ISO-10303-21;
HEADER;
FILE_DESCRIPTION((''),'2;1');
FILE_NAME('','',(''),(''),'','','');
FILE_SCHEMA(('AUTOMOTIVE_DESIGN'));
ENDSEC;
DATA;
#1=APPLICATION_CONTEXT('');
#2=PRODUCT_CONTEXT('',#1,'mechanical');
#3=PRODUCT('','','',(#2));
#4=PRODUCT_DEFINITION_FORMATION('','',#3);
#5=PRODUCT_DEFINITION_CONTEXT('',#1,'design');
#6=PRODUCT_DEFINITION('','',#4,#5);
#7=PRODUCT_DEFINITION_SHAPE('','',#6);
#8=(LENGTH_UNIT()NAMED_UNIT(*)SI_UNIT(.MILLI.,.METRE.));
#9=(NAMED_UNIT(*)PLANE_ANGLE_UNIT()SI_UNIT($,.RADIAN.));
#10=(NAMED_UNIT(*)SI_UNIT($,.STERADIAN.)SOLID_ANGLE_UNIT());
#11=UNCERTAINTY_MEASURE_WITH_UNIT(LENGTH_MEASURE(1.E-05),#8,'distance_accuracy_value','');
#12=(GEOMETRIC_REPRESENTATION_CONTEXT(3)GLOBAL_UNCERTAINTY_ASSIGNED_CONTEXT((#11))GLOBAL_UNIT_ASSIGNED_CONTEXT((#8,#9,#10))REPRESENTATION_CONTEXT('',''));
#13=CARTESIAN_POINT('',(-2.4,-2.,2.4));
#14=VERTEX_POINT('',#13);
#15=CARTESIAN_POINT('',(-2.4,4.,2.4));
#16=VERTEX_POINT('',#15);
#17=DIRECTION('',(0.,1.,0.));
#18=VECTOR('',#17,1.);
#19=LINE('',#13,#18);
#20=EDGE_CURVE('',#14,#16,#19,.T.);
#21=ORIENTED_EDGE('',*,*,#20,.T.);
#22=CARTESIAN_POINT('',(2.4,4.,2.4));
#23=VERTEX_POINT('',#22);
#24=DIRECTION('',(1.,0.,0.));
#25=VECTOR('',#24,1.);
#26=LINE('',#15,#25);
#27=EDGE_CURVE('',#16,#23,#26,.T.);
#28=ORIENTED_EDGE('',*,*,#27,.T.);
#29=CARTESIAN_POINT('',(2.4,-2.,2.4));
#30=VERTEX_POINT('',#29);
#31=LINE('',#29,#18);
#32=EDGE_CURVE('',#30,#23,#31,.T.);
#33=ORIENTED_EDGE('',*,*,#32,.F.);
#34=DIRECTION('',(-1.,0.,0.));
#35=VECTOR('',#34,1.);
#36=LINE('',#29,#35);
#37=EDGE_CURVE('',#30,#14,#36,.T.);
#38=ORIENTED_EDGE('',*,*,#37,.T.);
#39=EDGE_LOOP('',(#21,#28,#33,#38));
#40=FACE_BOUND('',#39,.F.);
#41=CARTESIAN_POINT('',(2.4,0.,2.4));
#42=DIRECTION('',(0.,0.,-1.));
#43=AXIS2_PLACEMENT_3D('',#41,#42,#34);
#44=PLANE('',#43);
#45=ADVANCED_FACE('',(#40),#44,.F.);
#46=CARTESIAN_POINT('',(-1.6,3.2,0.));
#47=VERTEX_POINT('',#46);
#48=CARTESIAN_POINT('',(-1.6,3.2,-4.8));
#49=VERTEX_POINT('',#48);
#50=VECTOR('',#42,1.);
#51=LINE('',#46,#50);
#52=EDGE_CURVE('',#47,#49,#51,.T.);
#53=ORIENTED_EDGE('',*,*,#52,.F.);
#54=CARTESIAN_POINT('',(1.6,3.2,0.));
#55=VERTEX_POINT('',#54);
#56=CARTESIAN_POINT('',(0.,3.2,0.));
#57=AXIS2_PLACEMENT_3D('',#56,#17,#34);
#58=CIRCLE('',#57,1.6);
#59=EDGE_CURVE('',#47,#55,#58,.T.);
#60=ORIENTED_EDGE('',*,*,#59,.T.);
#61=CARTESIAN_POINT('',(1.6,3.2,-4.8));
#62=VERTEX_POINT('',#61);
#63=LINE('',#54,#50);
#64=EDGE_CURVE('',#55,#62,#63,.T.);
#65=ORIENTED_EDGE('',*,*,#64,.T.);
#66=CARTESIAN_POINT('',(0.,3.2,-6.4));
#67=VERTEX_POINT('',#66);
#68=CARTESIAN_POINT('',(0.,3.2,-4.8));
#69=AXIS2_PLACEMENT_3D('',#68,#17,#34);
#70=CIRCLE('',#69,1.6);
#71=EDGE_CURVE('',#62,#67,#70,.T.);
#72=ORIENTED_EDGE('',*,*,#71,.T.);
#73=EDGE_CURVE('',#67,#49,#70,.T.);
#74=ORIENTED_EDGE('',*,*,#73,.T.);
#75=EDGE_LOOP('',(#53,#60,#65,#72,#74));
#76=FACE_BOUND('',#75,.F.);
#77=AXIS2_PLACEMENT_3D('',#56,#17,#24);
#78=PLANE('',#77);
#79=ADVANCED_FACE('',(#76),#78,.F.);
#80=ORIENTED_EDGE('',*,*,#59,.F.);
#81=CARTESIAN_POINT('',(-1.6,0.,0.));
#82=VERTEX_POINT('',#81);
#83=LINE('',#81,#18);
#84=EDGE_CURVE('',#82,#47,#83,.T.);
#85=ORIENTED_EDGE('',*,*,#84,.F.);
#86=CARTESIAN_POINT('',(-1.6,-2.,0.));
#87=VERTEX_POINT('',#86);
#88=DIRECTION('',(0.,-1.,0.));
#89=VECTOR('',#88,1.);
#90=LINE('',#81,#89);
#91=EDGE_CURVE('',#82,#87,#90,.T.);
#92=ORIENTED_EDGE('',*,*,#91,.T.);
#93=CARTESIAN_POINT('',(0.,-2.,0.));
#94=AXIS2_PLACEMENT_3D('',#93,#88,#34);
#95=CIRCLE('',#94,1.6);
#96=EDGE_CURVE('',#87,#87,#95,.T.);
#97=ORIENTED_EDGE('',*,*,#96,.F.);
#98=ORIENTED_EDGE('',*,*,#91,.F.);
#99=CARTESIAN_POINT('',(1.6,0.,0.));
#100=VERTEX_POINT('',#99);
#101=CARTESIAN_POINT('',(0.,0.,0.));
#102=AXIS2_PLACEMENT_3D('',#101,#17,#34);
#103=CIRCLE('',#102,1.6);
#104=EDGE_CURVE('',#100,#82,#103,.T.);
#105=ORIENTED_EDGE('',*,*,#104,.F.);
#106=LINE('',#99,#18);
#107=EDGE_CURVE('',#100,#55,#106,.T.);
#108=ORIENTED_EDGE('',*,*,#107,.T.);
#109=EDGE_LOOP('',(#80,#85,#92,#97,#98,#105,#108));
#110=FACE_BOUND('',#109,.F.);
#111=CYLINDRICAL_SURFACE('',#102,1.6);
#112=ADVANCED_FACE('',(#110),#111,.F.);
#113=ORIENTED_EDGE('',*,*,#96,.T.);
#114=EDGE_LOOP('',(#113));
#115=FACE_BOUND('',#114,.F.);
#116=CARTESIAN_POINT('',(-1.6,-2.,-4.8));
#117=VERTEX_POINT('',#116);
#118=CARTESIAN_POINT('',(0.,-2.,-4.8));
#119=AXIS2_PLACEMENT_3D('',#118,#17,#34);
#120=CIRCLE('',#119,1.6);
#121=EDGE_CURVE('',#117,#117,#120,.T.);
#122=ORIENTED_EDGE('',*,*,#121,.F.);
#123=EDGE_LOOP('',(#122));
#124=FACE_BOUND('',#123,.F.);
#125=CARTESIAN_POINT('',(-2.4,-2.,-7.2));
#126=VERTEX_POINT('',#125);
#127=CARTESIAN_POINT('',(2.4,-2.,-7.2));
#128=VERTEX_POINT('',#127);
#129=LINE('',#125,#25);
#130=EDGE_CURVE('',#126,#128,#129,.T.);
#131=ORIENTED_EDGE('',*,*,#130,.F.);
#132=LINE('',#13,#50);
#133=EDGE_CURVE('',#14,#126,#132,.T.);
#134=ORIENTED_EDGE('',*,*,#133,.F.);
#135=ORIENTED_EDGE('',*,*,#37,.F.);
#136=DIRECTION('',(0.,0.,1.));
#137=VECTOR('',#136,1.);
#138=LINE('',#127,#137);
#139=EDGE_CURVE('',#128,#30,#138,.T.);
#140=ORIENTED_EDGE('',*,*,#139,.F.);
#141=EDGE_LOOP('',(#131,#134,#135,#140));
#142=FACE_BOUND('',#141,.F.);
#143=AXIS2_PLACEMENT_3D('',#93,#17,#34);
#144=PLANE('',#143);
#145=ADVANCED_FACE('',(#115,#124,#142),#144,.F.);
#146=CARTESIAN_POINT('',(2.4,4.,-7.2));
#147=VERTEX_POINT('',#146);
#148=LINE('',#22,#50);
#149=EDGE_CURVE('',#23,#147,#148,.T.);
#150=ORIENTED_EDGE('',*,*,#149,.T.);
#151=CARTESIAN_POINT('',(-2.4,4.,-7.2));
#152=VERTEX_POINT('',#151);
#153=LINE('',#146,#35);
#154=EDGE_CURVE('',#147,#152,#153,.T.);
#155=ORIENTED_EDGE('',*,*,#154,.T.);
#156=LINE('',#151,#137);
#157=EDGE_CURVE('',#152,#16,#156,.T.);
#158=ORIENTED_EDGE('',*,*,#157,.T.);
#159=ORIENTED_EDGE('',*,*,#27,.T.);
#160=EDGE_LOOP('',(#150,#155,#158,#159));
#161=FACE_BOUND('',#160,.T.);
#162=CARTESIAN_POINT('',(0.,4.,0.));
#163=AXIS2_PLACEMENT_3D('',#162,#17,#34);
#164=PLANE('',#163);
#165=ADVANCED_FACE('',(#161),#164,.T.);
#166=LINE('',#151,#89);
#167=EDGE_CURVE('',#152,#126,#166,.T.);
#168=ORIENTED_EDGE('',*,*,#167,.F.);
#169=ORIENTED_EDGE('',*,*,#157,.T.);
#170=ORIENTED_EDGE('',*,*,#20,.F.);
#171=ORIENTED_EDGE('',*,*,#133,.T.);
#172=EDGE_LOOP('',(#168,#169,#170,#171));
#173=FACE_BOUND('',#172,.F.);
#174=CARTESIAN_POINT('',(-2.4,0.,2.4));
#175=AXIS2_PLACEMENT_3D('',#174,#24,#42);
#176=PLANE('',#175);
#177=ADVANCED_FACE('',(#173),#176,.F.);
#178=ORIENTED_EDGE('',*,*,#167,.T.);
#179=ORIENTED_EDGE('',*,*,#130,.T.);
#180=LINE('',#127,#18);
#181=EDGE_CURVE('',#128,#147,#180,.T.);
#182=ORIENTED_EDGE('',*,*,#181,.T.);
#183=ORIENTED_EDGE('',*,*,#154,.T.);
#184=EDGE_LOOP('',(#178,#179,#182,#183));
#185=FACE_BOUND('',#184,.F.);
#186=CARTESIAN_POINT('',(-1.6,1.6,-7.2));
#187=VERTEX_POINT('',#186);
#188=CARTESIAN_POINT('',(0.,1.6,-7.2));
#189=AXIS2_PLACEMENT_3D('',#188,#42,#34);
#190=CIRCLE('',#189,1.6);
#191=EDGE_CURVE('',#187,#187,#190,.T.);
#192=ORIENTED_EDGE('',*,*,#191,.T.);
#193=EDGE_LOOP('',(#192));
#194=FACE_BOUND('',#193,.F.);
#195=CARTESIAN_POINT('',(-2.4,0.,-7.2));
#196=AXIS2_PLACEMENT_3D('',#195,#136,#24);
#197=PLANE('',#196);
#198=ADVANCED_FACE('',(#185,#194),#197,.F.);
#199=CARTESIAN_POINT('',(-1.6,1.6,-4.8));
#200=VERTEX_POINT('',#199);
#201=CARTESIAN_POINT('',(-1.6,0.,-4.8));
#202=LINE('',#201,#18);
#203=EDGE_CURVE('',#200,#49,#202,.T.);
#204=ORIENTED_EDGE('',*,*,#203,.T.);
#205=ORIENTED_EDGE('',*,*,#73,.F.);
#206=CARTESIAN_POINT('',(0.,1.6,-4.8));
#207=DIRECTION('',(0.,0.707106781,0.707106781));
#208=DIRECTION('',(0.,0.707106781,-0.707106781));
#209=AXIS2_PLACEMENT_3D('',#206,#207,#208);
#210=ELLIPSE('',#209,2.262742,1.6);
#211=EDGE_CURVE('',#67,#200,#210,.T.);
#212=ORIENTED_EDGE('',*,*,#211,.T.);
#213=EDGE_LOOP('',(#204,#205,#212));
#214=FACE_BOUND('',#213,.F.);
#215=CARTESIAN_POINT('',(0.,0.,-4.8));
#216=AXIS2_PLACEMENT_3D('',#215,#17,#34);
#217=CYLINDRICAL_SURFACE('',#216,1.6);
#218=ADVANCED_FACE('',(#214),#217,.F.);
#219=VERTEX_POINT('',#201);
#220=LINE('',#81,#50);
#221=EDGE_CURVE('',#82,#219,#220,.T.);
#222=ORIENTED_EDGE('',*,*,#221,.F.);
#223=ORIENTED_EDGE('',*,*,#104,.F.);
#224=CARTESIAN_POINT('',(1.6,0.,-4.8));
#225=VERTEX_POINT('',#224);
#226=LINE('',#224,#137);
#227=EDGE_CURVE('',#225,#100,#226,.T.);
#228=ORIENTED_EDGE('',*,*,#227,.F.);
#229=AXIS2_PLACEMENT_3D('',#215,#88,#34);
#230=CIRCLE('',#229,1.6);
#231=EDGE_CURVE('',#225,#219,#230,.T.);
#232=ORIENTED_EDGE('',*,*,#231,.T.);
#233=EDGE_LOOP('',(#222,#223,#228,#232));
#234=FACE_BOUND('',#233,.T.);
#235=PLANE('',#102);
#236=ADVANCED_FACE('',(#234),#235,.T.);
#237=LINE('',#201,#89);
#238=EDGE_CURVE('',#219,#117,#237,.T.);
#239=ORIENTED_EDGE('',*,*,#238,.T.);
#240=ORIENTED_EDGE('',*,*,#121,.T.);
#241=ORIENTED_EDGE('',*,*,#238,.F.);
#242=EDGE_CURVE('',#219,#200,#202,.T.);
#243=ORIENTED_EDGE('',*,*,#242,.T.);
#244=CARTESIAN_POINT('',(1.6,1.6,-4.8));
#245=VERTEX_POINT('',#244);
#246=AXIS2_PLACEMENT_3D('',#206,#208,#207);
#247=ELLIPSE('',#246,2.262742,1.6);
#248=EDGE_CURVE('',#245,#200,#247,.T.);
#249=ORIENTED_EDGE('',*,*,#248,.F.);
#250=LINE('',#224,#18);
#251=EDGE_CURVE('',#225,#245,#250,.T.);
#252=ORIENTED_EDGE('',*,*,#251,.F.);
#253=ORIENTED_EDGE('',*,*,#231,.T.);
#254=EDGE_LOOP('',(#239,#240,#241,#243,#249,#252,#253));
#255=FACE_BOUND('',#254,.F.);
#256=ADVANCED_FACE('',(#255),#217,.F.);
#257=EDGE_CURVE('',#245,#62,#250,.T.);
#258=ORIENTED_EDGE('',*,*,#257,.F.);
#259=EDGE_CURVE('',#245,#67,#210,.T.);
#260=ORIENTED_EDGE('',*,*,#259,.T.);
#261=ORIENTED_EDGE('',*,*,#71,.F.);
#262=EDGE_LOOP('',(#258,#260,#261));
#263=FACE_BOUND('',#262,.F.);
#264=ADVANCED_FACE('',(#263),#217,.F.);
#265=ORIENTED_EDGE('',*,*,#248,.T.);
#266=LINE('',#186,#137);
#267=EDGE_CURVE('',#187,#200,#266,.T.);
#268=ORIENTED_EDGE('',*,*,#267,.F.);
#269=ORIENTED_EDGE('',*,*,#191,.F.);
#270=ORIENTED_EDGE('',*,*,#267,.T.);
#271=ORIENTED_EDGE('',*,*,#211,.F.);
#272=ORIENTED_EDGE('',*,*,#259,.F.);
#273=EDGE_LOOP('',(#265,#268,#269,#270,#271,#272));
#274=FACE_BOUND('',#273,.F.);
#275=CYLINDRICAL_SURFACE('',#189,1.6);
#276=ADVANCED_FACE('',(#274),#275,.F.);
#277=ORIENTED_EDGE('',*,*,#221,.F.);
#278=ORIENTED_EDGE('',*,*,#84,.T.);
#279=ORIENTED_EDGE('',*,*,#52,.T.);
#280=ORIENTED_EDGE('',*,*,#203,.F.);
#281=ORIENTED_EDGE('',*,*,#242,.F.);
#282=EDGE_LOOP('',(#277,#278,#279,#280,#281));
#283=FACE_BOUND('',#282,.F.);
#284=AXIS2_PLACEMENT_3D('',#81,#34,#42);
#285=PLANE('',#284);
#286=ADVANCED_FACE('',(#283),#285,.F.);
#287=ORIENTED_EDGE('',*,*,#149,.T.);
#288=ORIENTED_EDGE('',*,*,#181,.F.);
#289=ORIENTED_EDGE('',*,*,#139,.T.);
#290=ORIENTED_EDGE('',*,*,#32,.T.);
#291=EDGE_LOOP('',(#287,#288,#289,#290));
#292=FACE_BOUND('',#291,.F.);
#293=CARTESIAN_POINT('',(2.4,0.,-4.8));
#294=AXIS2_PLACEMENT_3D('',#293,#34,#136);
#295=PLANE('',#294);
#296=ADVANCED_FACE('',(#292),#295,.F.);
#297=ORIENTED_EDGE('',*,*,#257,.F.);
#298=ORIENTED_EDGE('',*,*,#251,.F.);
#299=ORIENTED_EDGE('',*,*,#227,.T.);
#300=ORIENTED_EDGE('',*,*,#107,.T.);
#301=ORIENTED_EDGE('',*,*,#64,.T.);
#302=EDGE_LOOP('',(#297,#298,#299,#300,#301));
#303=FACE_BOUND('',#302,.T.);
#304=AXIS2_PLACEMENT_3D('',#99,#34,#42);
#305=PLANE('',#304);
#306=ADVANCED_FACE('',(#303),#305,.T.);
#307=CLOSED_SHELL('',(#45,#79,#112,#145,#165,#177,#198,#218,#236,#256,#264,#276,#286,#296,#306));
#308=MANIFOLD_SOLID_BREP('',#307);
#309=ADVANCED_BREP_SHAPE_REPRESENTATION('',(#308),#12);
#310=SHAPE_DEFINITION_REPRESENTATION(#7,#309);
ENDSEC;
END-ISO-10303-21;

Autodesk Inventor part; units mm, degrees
ref_plane "YZ Plane" through (0, 0, 0) normal (1, 0, 0) x (0, 1, 0)
ref_plane "XZ Plane" through (0, 0, 0) normal (0, 1, 0) x (-1, 0, 0)
ref_plane "XY Plane" through (0, 0, 0) normal (0, 0, 1) x (1, 0, 0)
sketch "스케치1" plane through (0, 0, 0) normal (0, 1, 0) x (-1, 0, 0)
  circle A0 centre (0, 0) radius 1.6
  circle A1 centre (0, 0) radius 2.4
  circle A2 centre (0, -4.8) radius 2.4
  circle A3 centre (0, -4.8) radius 1.6
  line L0 (1.6, 0) -> (1.6, -4.8)
  line L1 (-1.6, 0) -> (-1.6, -4.8)
  line L2 (-2.4, 2.4) -> (2.4, 2.4)
  line L3 (2.4, 2.4) -> (2.4, -7.2)
  line L4 (2.4, -7.2) -> (-2.4, -7.2)
  line L5 (-2.4, -7.2) -> (-2.4, 2.4)
  point P0 (0, -2.4)
  dimension "d1" = 4.8
  dimension "d2" = 4.8
  dimension "d0" = 3.2
  dimension "d3" = 3.2
extrude "돌출3" add sketch "스케치1" against normal blind 2 contours L0 A1 L1 A0 | A0 L1 A1 L0 | L0 A2 A1 | A1 L3 A2 L0 | L1 A2 L5 A1 | A1 A2 L1 | A2 L0 A3 L1 | A1 L2 L3 | A2 L1 A3 L0 | L5 L2 A1 | L3 L4 A2 | A2 L4 L5
extrude "돌출4" add sketch "스케치1" along normal blind 4 contours A0 L1 A1 L0 | A1 L3 A2 L0 | L1 A2 L5 A1 | A1 L2 L3 | A2 L1 A3 L0 | L5 L2 A1 | L3 L4 A2 | A2 L4 L5 picked at (-1.7127, -1.0681) picked at (-1.7127, -3.7319)
sketch "스케치2" plane through (0, 4, 0) normal (0, 1, 0) x (1, 0, 0)
  line L0 (-2.4, -2.4) -> (2.4, -2.4) projected
  line L1 (2.4, -2.4) -> (2.4, 7.2) projected
  line L2 (2.4, 7.2) -> (-2.4, 7.2) projected
  line L3 (-2.4, 7.2) -> (-2.4, -2.4) projected
  line L4 (-1.6, 0) -> (-1.6, 4.8) projected
  arc A0 (1.6, 4.8) -> (-1.6, 4.8) centre (0, 4.8) ccw projected
  line L5 (1.6, 4.8) -> (1.6, 0) projected
  arc A1 (-1.6, 0) -> (1.6, 0) centre (0, 0) ccw projected
extrude "돌출5" add sketch "스케치2" against normal blind 0.8 contours L3 L2 L1 L0 | L4 A0 L5 A1
sketch "스케치3" plane through (2.4, -2, -7.2) normal (0, 0, -1) x (-1, 0, 0)
  circle A0 centre (2.4, 3.6) radius 1.6
  line L0 (0, 6) -> (4.8, 6) projected
  circle A1 centre (2.4, 3.6) radius 2.4
  line L1 (4.8, 0) -> (4.8, 6) projected
  point P0 (2.4, 2)
  dimension "d14" = 3.2
  dimension "d15" = 2.4
  dimension "d16" = 4.8
extrude "돌출6" cut sketch "스케치3" against normal blind 3.3 contours A0
properties part number "endcap_4mm_2ea_typeB_ver2_onyx"
